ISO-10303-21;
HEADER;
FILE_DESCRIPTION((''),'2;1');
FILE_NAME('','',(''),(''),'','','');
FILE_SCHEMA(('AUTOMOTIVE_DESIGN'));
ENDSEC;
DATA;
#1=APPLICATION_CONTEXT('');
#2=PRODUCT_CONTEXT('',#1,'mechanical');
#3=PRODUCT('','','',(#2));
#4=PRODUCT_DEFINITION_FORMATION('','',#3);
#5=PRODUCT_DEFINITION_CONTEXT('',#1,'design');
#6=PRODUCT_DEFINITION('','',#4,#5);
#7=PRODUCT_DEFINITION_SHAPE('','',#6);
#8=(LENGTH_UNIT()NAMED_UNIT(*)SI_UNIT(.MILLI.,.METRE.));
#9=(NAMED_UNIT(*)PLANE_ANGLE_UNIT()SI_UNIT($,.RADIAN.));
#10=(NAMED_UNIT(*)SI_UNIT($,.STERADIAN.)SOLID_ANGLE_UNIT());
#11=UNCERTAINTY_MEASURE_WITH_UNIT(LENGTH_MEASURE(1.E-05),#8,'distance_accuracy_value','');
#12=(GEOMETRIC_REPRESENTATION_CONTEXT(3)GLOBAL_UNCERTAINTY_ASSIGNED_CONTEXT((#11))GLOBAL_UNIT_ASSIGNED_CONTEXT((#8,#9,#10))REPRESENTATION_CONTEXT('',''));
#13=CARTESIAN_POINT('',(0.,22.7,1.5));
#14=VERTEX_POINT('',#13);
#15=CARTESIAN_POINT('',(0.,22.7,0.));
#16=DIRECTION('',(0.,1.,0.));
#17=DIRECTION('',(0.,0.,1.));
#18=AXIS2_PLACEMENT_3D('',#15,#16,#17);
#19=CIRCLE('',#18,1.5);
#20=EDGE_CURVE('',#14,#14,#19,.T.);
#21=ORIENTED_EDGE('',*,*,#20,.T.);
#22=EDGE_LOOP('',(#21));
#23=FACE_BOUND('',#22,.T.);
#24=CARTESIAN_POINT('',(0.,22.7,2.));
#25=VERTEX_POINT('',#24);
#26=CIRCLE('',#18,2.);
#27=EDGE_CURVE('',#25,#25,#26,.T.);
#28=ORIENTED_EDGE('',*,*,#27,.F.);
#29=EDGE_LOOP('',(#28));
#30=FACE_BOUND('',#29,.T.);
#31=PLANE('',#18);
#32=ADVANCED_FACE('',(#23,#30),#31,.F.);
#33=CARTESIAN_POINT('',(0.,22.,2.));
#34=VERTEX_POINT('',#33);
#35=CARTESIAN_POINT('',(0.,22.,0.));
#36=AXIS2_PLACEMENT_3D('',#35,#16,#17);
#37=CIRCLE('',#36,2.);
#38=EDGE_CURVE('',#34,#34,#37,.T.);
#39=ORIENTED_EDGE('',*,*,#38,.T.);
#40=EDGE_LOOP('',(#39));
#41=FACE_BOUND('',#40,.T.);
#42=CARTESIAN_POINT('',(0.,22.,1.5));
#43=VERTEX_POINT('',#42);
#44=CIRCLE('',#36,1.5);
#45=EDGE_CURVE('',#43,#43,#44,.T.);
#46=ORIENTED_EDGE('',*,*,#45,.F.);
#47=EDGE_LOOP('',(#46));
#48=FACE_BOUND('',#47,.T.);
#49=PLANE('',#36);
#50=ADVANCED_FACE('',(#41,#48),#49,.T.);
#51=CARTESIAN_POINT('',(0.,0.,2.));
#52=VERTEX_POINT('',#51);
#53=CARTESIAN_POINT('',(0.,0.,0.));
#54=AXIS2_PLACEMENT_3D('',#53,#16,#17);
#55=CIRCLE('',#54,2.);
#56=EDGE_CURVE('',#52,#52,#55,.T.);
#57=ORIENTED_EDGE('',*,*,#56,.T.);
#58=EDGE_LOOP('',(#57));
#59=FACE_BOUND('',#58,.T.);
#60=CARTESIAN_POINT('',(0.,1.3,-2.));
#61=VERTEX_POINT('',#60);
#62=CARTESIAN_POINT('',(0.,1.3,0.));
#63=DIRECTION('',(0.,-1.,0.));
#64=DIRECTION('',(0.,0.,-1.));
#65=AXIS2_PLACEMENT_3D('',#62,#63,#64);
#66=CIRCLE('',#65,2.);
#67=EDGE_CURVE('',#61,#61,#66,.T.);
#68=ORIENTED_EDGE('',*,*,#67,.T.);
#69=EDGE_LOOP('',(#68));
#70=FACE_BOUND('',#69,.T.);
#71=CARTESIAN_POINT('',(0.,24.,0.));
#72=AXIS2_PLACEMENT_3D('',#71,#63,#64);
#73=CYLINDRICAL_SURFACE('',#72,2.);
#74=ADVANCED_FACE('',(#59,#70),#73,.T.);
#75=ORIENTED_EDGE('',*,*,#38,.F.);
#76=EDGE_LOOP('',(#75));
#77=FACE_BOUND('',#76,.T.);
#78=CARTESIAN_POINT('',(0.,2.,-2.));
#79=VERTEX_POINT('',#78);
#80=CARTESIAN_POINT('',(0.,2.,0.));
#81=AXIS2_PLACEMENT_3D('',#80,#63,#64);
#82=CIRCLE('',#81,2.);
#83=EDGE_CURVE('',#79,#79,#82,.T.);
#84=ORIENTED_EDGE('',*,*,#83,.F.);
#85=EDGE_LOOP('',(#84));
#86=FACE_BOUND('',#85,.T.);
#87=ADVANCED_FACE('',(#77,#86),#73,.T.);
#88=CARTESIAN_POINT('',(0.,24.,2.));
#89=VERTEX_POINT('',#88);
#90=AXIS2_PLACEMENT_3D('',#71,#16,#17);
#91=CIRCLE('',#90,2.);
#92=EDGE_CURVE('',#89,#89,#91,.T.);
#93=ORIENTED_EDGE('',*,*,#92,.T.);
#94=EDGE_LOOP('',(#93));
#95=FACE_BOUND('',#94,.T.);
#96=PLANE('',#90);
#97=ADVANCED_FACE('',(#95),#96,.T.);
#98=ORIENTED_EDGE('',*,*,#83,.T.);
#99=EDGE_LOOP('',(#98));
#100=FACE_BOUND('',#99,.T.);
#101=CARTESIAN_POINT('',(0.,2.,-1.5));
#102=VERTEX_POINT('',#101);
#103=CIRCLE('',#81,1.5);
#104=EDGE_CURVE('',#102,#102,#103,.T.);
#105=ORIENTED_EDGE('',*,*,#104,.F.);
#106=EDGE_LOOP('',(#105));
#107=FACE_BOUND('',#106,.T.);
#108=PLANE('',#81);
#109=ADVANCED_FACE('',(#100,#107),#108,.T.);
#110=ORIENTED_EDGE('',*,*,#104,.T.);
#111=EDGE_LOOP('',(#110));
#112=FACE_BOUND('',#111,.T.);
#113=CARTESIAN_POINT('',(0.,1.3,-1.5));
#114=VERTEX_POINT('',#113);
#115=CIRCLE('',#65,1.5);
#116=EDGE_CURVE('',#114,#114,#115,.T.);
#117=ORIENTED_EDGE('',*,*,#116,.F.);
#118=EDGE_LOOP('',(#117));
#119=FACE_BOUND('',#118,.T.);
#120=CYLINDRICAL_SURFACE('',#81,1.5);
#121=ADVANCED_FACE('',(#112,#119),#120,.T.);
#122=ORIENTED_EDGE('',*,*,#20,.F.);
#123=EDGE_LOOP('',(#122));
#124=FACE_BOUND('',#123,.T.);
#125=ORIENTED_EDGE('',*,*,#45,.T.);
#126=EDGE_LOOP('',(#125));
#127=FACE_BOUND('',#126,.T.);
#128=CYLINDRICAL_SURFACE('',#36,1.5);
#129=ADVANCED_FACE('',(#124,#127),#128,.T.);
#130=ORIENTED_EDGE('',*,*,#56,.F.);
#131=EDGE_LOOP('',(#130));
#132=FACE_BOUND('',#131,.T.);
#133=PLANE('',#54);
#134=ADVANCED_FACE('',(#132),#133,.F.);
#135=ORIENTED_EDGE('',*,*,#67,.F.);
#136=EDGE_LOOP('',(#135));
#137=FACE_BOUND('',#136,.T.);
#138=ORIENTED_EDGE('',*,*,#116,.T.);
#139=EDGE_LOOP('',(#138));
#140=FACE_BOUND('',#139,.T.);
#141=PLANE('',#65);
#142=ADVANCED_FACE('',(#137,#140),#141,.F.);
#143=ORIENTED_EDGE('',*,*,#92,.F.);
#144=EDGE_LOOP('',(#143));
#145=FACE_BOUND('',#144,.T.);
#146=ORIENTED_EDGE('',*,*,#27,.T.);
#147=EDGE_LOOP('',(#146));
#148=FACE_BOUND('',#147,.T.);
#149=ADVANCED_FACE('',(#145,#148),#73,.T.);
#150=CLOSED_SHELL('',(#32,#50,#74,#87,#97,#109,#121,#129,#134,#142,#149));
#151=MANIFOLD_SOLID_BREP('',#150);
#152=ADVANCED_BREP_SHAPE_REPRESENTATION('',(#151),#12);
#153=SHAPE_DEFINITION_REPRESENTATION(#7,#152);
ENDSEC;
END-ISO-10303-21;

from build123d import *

# Parameters (mm, degrees)
SKETCH_1_R          = 2
EXTRUDE_1_DEPTH     = 24
CUT_EXTRUDE_START   = -2
SKETCH_2_R          = 2
SKETCH_2_R_2        = 1.5
CUT_EXTRUDE_1_DEPTH = 0.7
CUT_EXTRUDE_START_2 = -1.3
SKETCH_3_R          = 2
SKETCH_3_R_2        = 1.5
CUT_EXTRUDE_2_DEPTH = 0.7


with BuildPart() as part:
    # 스케치1 → 보스-돌출1 (new body)
    with BuildSketch(Plane(origin=(0, 0, 0), x_dir=(1, 0, 0), z_dir=(0, 1, 0))):
        with Locations(Location((0, 0, 0), (0, 0, 270))):
            Circle(SKETCH_1_R)
    extrude(amount=EXTRUDE_1_DEPTH)

    # 스케치2 → 컷-돌출1 (cut)
    with BuildSketch(Plane(origin=(0, 24, 0), x_dir=(1, 0, 0), z_dir=(0, 1, 0)).offset(CUT_EXTRUDE_START)):
        with Locations(Location((0, 0, 0), (0, 0, 270))):
            Circle(SKETCH_2_R)
        with Locations(Location((0, 0, 0), (0, 0, 270))):
            Circle(SKETCH_2_R_2, mode=Mode.SUBTRACT)
    extrude(amount=CUT_EXTRUDE_1_DEPTH, mode=Mode.SUBTRACT)

    # 스케치3 → 컷-돌출2 (cut)
    with BuildSketch(Plane.XZ.offset(CUT_EXTRUDE_START_2)):
        with Locations(Location((0, 0, 0), (0, 0, 270))):
            Circle(SKETCH_3_R)
        with Locations(Location((0, 0, 0), (0, 0, 90))):
            Circle(SKETCH_3_R_2, mode=Mode.SUBTRACT)
    extrude(amount=-CUT_EXTRUDE_2_DEPTH, mode=Mode.SUBTRACT)


solid = part.part
